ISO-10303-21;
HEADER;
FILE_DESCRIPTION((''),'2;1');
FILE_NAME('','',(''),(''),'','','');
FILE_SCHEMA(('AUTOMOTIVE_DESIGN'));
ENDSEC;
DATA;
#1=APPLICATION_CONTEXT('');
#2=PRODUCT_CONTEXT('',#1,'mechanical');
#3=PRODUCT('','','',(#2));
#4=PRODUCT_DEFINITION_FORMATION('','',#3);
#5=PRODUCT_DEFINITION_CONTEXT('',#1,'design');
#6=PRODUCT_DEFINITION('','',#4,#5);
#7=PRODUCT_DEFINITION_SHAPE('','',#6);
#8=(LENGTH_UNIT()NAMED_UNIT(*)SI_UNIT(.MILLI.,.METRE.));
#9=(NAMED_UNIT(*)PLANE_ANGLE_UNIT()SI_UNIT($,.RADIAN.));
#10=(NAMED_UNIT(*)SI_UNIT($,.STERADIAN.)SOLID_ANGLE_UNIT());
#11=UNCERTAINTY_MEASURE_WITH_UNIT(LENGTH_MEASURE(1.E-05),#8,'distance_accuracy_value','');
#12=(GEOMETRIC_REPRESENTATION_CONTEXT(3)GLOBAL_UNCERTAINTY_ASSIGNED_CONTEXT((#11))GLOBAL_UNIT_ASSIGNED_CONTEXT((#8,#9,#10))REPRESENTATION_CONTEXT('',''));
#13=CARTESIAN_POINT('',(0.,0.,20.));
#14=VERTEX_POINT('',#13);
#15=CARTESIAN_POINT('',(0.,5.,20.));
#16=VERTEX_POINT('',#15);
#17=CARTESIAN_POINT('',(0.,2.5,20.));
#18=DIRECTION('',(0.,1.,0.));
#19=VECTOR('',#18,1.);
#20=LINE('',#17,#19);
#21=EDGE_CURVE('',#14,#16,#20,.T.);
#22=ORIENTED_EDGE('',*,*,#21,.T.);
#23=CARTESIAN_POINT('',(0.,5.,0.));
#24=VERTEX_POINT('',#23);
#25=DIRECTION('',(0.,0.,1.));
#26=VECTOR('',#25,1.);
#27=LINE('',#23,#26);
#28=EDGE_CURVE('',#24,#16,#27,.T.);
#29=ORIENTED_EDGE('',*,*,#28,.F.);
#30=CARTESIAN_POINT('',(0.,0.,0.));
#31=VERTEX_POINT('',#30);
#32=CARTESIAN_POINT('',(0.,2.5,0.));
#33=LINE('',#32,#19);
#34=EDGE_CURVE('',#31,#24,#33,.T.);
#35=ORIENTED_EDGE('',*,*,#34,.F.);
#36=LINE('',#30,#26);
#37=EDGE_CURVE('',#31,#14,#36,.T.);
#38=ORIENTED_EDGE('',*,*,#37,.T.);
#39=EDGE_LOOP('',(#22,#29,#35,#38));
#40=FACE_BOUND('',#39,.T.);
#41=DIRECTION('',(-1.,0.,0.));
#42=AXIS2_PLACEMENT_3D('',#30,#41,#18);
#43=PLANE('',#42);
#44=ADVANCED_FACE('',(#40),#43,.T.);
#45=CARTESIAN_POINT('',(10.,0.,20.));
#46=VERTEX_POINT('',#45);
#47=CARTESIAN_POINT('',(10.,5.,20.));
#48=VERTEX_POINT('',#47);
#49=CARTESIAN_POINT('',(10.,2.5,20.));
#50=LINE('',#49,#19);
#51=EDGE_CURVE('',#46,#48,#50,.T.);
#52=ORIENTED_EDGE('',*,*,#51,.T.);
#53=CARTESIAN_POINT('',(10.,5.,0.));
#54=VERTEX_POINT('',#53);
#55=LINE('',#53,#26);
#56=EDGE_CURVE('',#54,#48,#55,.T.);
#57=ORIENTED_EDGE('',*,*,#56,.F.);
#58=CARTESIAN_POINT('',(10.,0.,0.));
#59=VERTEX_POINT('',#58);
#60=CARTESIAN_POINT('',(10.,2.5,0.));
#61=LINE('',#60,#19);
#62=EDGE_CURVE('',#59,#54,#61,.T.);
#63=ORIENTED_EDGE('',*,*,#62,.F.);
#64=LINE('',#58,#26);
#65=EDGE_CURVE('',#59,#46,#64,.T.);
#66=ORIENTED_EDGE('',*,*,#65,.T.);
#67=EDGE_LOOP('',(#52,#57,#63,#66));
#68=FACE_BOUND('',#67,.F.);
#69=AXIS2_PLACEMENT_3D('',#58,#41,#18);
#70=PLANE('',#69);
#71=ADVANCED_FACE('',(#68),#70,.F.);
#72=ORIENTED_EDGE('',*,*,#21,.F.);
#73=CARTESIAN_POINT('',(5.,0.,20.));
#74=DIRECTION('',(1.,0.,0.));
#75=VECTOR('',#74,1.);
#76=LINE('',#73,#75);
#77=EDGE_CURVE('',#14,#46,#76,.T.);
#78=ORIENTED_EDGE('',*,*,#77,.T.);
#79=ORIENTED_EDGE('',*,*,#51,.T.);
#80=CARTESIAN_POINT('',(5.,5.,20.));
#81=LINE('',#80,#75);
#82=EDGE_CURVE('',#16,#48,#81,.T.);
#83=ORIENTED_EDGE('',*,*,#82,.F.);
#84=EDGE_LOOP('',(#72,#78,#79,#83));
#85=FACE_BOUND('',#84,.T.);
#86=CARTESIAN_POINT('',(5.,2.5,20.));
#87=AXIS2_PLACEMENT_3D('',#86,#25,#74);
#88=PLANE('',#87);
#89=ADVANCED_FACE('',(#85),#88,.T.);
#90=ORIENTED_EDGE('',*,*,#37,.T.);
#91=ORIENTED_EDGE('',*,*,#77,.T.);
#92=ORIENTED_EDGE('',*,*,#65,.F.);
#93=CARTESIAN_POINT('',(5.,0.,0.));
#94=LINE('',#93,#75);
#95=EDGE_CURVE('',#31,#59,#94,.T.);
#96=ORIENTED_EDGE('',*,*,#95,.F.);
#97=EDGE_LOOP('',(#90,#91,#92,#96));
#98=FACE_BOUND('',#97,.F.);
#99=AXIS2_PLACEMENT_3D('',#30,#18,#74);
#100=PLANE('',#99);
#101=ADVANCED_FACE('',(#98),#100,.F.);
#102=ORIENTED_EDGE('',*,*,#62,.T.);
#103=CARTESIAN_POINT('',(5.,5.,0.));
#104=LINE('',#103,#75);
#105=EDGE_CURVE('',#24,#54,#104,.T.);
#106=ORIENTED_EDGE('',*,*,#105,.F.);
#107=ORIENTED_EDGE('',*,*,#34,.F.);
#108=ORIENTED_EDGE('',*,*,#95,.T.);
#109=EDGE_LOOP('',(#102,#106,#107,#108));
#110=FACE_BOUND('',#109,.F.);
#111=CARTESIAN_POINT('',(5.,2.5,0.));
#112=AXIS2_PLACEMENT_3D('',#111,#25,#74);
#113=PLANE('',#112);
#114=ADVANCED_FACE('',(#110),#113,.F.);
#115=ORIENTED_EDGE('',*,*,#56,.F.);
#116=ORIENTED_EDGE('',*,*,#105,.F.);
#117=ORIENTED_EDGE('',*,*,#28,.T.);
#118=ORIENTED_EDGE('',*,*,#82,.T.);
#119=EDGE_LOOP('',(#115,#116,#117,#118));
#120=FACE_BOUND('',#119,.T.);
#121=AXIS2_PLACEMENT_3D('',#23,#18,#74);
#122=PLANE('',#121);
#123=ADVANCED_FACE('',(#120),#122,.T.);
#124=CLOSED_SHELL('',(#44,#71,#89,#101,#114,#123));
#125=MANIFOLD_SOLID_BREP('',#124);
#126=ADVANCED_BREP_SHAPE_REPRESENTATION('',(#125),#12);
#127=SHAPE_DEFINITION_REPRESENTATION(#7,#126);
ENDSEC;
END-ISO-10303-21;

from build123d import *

# Parameters (mm, degrees)
BOX_W     = 10
BOX_H     = 5
BOX_DEPTH = 20


with BuildPart() as part:
    # Box → Box (new body)
    with BuildSketch(Plane.XY):
        with Locations((5, 2.5)):
            Rectangle(BOX_W, BOX_H)
    extrude(amount=BOX_DEPTH)


solid = part.part
